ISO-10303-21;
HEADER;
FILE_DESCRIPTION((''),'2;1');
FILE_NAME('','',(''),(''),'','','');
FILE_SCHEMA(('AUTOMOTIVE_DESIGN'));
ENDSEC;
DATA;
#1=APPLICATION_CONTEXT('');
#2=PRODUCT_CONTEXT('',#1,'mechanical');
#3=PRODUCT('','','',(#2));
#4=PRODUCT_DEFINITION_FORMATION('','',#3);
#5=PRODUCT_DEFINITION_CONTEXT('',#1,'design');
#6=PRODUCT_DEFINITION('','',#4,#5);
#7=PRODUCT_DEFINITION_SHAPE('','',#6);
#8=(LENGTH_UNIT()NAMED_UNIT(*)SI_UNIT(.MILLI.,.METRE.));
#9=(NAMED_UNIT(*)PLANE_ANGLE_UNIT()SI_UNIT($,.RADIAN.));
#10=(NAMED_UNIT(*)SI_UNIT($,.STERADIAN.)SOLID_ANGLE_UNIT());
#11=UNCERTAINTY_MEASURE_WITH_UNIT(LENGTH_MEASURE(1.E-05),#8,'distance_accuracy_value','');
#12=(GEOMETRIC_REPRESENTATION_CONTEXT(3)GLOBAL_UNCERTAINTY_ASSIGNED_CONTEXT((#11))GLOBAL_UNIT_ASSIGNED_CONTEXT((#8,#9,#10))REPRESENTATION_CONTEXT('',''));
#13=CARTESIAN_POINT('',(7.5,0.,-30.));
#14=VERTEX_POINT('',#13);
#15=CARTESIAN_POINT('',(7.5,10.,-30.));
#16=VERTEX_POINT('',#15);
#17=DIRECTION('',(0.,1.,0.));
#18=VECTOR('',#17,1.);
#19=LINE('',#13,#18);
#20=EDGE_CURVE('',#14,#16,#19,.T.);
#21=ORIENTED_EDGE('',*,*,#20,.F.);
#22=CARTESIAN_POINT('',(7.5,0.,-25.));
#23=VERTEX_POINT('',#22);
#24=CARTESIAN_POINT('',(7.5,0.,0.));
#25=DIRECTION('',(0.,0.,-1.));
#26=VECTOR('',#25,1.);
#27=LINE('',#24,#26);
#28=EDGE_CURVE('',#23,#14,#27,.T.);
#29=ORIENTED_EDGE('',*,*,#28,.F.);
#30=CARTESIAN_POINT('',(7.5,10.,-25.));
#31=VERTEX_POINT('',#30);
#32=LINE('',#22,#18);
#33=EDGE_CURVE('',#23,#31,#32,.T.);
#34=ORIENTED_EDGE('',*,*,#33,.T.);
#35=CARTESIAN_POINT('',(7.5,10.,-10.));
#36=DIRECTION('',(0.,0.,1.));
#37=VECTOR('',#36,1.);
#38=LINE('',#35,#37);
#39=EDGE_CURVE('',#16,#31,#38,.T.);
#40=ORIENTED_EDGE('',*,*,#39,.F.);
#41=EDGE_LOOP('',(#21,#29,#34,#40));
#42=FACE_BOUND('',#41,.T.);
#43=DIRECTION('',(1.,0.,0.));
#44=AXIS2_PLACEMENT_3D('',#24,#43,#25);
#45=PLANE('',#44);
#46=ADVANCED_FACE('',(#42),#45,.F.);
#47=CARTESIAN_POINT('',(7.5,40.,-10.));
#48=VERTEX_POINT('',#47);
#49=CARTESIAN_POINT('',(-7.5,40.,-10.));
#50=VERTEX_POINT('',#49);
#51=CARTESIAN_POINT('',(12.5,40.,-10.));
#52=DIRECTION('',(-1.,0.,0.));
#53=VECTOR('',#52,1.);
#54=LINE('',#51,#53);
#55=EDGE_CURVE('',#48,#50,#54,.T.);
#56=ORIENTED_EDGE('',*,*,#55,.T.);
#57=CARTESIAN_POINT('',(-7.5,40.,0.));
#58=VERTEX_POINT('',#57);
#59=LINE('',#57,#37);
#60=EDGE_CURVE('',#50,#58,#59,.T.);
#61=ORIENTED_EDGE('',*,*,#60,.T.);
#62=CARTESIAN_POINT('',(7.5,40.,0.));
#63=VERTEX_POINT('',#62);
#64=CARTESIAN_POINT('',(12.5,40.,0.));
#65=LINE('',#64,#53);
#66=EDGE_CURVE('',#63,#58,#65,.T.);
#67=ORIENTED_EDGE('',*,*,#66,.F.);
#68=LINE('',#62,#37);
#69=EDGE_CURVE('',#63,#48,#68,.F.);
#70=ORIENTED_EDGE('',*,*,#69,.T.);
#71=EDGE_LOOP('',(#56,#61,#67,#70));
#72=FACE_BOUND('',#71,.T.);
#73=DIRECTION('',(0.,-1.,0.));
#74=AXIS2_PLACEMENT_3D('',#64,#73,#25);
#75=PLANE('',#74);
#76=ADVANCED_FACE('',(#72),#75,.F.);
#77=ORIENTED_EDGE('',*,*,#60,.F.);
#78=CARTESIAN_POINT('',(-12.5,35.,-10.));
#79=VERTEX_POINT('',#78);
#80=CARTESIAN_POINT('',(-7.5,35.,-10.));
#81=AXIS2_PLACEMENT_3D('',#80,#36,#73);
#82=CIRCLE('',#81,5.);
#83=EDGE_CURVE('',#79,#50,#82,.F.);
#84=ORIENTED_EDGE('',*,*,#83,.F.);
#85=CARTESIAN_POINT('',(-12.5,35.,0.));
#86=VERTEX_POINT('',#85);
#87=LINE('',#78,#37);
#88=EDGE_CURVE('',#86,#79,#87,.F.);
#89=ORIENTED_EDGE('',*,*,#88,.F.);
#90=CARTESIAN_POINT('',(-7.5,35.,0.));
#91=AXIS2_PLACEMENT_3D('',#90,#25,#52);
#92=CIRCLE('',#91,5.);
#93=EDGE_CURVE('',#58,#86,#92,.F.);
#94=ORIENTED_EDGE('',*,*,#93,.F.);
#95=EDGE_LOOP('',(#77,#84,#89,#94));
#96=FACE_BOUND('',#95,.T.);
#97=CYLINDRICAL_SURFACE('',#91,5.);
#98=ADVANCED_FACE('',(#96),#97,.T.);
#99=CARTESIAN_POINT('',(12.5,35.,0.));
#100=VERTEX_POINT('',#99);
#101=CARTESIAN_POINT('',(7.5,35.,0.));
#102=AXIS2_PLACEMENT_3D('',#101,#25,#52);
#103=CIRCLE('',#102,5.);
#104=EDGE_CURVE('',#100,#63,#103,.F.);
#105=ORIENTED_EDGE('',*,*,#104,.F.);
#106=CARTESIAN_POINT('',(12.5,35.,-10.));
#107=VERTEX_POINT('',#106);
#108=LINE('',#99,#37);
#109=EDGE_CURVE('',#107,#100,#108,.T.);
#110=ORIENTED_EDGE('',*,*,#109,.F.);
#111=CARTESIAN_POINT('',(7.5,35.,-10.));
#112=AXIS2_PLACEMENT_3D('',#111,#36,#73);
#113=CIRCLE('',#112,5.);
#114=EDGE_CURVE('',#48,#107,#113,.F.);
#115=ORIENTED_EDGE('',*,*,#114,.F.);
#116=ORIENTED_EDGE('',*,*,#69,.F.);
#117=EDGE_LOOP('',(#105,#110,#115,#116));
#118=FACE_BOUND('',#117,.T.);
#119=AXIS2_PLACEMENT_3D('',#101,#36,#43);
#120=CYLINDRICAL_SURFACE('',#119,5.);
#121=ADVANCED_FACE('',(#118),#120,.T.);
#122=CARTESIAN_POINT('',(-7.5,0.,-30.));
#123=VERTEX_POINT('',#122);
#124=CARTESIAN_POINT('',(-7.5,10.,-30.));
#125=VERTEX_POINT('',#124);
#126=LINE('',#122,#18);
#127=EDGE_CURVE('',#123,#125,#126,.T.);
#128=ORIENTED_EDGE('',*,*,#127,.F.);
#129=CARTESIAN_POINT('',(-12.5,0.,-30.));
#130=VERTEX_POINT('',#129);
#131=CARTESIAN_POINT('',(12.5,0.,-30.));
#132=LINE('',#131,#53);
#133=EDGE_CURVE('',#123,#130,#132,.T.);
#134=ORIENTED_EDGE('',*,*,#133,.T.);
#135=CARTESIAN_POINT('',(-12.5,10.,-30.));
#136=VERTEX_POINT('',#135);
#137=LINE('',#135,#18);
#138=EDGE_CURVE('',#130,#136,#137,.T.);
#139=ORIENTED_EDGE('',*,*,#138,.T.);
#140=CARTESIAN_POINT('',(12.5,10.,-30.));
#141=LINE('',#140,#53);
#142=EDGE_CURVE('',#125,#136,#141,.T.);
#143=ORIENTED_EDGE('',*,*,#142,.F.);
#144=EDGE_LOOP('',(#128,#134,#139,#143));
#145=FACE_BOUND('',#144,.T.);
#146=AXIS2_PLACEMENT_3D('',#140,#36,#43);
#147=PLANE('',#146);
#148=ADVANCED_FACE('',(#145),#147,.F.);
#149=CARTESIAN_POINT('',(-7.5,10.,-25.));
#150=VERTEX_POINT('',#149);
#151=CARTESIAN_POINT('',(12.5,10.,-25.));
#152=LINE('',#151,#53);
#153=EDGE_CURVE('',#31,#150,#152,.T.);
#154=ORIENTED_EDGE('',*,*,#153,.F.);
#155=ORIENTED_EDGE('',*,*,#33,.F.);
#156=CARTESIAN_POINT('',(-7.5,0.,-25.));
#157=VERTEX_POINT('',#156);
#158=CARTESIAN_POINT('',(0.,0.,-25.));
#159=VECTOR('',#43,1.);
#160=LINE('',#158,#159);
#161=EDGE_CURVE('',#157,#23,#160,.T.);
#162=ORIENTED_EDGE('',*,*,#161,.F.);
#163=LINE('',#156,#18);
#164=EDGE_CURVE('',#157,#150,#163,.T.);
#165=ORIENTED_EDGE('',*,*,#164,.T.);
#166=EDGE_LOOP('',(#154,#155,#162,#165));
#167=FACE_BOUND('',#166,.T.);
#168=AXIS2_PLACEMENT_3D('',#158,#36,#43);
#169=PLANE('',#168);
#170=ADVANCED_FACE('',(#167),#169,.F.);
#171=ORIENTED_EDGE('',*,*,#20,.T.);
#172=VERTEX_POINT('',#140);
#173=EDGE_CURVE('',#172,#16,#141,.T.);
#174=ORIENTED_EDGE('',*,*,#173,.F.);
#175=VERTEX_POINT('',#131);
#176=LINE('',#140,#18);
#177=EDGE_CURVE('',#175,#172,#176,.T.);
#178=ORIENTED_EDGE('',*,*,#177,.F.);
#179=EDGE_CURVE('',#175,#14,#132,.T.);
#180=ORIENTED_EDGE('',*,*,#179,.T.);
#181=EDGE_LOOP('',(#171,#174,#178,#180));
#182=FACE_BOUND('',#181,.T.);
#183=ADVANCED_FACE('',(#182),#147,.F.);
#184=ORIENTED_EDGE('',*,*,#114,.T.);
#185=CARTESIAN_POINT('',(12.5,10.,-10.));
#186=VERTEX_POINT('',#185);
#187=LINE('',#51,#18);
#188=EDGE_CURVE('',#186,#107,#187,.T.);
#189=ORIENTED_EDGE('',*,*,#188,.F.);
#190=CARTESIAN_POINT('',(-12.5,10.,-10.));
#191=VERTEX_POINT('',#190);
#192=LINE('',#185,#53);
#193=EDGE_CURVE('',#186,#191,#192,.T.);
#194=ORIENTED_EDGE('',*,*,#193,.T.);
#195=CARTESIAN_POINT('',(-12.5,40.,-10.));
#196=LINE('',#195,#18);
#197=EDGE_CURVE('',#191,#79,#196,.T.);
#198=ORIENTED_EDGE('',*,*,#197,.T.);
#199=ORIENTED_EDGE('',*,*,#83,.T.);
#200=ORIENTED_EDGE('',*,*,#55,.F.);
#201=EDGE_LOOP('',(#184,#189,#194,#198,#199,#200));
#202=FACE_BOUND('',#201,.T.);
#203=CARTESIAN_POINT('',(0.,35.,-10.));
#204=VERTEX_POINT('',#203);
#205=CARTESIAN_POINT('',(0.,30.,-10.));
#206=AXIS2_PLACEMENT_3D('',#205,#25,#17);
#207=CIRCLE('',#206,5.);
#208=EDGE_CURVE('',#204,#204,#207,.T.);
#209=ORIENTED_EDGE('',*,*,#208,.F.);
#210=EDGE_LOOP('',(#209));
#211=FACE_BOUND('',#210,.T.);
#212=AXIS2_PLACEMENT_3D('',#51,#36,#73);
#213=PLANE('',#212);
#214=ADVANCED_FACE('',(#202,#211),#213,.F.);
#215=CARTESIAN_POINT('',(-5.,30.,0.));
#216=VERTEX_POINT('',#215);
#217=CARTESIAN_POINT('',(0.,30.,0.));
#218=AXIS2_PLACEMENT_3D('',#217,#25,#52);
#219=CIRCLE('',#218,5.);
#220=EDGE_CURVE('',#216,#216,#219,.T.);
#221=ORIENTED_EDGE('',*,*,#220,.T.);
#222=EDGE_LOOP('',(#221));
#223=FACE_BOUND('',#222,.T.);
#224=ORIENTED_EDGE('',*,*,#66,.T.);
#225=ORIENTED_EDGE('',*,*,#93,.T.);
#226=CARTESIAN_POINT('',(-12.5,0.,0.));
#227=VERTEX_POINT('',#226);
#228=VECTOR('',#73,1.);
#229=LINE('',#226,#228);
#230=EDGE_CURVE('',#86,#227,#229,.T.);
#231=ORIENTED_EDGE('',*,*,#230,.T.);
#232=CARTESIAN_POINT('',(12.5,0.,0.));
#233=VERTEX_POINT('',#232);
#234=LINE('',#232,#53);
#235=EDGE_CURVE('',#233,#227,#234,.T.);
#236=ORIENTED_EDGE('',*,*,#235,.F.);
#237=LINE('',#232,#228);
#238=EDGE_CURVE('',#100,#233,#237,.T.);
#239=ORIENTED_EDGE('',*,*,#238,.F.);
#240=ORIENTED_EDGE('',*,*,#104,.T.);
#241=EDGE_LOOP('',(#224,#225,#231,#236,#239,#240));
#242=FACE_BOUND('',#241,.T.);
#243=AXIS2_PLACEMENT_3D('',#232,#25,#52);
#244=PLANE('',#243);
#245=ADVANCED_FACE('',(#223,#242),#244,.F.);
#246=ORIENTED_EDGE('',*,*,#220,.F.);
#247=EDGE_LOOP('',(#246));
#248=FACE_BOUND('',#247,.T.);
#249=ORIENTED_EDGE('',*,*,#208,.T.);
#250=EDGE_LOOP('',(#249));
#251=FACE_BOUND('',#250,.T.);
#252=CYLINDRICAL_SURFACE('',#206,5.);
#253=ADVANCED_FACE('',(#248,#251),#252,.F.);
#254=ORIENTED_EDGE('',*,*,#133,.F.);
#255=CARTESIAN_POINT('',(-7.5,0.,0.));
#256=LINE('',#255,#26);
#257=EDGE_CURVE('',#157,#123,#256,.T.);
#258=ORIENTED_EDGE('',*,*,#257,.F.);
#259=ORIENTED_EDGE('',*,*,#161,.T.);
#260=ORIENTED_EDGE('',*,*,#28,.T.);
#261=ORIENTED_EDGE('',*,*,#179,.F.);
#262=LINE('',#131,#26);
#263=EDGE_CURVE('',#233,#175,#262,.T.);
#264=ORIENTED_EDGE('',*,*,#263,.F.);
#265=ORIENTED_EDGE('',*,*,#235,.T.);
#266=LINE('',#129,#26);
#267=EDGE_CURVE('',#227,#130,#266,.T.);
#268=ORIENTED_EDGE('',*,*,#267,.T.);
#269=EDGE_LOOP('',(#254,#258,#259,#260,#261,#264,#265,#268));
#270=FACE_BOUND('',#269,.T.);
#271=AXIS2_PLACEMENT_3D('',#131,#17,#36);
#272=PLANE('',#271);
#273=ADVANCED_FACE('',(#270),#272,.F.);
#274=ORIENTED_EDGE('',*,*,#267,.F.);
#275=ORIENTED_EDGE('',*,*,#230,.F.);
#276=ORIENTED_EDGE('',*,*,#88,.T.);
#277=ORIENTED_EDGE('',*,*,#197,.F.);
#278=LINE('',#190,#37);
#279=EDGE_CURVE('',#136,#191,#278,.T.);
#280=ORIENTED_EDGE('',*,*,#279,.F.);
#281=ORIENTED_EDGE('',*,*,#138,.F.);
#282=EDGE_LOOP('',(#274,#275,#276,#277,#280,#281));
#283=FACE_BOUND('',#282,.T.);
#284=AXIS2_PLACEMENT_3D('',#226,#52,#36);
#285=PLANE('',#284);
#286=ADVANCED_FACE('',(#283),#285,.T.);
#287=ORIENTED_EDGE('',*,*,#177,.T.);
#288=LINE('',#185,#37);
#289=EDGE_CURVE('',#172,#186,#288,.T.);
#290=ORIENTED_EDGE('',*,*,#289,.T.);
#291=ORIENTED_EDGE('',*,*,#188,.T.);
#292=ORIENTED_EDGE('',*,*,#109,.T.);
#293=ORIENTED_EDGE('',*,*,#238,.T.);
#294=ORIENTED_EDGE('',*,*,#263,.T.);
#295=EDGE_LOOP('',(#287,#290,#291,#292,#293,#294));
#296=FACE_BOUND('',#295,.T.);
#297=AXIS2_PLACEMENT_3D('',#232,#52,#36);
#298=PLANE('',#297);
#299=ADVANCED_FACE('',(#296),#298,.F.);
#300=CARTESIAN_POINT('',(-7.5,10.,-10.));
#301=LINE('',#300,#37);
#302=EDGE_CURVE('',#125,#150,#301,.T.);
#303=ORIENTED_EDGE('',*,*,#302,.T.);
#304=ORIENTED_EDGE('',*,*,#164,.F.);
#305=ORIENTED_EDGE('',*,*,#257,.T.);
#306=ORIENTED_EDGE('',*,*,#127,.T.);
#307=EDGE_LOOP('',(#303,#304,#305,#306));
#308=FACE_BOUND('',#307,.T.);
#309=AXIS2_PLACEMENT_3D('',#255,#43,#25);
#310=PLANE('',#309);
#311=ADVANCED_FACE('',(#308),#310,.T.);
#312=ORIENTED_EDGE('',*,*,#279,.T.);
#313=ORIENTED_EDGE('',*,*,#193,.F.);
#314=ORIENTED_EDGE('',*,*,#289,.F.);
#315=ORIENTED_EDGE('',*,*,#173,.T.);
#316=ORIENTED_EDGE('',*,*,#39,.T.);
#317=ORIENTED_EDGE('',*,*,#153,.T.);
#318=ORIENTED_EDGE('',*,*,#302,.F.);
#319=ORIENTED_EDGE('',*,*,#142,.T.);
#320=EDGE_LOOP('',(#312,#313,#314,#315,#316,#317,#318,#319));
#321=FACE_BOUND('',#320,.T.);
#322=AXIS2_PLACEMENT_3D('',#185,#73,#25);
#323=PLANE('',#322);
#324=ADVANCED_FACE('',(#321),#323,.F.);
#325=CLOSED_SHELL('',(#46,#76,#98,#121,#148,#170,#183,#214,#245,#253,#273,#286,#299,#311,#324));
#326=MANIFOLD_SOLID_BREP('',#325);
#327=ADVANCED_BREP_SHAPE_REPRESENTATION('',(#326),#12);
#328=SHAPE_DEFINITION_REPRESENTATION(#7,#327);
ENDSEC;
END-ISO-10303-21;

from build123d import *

# Parameters (mm, degrees)
ESTRUSIONE_ESTRUSIONE1_DEPTH  = 12.5
TAGLIO_ESTRUSIONE1_DEPTH      = 45.229515032
TAGLIO_ESTRUSIONE1_DEPTH_BACK = 45.229515032
SCHIZZO2_W                    = 15
SCHIZZO2_H                    = 5
FORO_10_0_10_1_D              = 10
RACCORDO1_R                   = 5


with BuildPart() as part:
    # Schizzo1 → Estrusione-Estrusione1 (new, symmetric)
    with BuildSketch(Plane(origin=(0, 0, 0), x_dir=(0, 0, -1), z_dir=(1, 0, 0))):
        Polygon((0, 0), (0, 40), (10, 40), (10, 10), (30, 10), (30, 0), align=None)
    extrude(amount=ESTRUSIONE_ESTRUSIONE1_DEPTH, both=True)

    # Schizzo2 → Taglio-Estrusione1 (cut, two sides: drawn at the far end of the back side and taken through both)
    with BuildSketch(Plane(origin=(0, 10, 0), x_dir=(1, 0, 0), z_dir=(0, 1, 0)).offset(-TAGLIO_ESTRUSIONE1_DEPTH_BACK)):
        with Locations((0, 27.5)):
            Rectangle(SCHIZZO2_W, SCHIZZO2_H)
    extrude(amount=TAGLIO_ESTRUSIONE1_DEPTH + TAGLIO_ESTRUSIONE1_DEPTH_BACK, mode=Mode.SUBTRACT)

    # Foro Ø10.0 (10)-1 (through all)
    with Locations(Plane(origin=(0, 0, -10), x_dir=(-1, 0, 0), z_dir=(0, 0, -1))):
        with Locations((0, 30)):
            Hole(FORO_10_0_10_1_D / 2)

    # Raccordo1
    raccordo1_edges = [part.edges().sort_by_distance(p)[0] for p in [
        (12.5, 40, -5),
        (-12.5, 40, -5),
    ]]
    fillet(raccordo1_edges, radius=RACCORDO1_R)


solid = part.part
